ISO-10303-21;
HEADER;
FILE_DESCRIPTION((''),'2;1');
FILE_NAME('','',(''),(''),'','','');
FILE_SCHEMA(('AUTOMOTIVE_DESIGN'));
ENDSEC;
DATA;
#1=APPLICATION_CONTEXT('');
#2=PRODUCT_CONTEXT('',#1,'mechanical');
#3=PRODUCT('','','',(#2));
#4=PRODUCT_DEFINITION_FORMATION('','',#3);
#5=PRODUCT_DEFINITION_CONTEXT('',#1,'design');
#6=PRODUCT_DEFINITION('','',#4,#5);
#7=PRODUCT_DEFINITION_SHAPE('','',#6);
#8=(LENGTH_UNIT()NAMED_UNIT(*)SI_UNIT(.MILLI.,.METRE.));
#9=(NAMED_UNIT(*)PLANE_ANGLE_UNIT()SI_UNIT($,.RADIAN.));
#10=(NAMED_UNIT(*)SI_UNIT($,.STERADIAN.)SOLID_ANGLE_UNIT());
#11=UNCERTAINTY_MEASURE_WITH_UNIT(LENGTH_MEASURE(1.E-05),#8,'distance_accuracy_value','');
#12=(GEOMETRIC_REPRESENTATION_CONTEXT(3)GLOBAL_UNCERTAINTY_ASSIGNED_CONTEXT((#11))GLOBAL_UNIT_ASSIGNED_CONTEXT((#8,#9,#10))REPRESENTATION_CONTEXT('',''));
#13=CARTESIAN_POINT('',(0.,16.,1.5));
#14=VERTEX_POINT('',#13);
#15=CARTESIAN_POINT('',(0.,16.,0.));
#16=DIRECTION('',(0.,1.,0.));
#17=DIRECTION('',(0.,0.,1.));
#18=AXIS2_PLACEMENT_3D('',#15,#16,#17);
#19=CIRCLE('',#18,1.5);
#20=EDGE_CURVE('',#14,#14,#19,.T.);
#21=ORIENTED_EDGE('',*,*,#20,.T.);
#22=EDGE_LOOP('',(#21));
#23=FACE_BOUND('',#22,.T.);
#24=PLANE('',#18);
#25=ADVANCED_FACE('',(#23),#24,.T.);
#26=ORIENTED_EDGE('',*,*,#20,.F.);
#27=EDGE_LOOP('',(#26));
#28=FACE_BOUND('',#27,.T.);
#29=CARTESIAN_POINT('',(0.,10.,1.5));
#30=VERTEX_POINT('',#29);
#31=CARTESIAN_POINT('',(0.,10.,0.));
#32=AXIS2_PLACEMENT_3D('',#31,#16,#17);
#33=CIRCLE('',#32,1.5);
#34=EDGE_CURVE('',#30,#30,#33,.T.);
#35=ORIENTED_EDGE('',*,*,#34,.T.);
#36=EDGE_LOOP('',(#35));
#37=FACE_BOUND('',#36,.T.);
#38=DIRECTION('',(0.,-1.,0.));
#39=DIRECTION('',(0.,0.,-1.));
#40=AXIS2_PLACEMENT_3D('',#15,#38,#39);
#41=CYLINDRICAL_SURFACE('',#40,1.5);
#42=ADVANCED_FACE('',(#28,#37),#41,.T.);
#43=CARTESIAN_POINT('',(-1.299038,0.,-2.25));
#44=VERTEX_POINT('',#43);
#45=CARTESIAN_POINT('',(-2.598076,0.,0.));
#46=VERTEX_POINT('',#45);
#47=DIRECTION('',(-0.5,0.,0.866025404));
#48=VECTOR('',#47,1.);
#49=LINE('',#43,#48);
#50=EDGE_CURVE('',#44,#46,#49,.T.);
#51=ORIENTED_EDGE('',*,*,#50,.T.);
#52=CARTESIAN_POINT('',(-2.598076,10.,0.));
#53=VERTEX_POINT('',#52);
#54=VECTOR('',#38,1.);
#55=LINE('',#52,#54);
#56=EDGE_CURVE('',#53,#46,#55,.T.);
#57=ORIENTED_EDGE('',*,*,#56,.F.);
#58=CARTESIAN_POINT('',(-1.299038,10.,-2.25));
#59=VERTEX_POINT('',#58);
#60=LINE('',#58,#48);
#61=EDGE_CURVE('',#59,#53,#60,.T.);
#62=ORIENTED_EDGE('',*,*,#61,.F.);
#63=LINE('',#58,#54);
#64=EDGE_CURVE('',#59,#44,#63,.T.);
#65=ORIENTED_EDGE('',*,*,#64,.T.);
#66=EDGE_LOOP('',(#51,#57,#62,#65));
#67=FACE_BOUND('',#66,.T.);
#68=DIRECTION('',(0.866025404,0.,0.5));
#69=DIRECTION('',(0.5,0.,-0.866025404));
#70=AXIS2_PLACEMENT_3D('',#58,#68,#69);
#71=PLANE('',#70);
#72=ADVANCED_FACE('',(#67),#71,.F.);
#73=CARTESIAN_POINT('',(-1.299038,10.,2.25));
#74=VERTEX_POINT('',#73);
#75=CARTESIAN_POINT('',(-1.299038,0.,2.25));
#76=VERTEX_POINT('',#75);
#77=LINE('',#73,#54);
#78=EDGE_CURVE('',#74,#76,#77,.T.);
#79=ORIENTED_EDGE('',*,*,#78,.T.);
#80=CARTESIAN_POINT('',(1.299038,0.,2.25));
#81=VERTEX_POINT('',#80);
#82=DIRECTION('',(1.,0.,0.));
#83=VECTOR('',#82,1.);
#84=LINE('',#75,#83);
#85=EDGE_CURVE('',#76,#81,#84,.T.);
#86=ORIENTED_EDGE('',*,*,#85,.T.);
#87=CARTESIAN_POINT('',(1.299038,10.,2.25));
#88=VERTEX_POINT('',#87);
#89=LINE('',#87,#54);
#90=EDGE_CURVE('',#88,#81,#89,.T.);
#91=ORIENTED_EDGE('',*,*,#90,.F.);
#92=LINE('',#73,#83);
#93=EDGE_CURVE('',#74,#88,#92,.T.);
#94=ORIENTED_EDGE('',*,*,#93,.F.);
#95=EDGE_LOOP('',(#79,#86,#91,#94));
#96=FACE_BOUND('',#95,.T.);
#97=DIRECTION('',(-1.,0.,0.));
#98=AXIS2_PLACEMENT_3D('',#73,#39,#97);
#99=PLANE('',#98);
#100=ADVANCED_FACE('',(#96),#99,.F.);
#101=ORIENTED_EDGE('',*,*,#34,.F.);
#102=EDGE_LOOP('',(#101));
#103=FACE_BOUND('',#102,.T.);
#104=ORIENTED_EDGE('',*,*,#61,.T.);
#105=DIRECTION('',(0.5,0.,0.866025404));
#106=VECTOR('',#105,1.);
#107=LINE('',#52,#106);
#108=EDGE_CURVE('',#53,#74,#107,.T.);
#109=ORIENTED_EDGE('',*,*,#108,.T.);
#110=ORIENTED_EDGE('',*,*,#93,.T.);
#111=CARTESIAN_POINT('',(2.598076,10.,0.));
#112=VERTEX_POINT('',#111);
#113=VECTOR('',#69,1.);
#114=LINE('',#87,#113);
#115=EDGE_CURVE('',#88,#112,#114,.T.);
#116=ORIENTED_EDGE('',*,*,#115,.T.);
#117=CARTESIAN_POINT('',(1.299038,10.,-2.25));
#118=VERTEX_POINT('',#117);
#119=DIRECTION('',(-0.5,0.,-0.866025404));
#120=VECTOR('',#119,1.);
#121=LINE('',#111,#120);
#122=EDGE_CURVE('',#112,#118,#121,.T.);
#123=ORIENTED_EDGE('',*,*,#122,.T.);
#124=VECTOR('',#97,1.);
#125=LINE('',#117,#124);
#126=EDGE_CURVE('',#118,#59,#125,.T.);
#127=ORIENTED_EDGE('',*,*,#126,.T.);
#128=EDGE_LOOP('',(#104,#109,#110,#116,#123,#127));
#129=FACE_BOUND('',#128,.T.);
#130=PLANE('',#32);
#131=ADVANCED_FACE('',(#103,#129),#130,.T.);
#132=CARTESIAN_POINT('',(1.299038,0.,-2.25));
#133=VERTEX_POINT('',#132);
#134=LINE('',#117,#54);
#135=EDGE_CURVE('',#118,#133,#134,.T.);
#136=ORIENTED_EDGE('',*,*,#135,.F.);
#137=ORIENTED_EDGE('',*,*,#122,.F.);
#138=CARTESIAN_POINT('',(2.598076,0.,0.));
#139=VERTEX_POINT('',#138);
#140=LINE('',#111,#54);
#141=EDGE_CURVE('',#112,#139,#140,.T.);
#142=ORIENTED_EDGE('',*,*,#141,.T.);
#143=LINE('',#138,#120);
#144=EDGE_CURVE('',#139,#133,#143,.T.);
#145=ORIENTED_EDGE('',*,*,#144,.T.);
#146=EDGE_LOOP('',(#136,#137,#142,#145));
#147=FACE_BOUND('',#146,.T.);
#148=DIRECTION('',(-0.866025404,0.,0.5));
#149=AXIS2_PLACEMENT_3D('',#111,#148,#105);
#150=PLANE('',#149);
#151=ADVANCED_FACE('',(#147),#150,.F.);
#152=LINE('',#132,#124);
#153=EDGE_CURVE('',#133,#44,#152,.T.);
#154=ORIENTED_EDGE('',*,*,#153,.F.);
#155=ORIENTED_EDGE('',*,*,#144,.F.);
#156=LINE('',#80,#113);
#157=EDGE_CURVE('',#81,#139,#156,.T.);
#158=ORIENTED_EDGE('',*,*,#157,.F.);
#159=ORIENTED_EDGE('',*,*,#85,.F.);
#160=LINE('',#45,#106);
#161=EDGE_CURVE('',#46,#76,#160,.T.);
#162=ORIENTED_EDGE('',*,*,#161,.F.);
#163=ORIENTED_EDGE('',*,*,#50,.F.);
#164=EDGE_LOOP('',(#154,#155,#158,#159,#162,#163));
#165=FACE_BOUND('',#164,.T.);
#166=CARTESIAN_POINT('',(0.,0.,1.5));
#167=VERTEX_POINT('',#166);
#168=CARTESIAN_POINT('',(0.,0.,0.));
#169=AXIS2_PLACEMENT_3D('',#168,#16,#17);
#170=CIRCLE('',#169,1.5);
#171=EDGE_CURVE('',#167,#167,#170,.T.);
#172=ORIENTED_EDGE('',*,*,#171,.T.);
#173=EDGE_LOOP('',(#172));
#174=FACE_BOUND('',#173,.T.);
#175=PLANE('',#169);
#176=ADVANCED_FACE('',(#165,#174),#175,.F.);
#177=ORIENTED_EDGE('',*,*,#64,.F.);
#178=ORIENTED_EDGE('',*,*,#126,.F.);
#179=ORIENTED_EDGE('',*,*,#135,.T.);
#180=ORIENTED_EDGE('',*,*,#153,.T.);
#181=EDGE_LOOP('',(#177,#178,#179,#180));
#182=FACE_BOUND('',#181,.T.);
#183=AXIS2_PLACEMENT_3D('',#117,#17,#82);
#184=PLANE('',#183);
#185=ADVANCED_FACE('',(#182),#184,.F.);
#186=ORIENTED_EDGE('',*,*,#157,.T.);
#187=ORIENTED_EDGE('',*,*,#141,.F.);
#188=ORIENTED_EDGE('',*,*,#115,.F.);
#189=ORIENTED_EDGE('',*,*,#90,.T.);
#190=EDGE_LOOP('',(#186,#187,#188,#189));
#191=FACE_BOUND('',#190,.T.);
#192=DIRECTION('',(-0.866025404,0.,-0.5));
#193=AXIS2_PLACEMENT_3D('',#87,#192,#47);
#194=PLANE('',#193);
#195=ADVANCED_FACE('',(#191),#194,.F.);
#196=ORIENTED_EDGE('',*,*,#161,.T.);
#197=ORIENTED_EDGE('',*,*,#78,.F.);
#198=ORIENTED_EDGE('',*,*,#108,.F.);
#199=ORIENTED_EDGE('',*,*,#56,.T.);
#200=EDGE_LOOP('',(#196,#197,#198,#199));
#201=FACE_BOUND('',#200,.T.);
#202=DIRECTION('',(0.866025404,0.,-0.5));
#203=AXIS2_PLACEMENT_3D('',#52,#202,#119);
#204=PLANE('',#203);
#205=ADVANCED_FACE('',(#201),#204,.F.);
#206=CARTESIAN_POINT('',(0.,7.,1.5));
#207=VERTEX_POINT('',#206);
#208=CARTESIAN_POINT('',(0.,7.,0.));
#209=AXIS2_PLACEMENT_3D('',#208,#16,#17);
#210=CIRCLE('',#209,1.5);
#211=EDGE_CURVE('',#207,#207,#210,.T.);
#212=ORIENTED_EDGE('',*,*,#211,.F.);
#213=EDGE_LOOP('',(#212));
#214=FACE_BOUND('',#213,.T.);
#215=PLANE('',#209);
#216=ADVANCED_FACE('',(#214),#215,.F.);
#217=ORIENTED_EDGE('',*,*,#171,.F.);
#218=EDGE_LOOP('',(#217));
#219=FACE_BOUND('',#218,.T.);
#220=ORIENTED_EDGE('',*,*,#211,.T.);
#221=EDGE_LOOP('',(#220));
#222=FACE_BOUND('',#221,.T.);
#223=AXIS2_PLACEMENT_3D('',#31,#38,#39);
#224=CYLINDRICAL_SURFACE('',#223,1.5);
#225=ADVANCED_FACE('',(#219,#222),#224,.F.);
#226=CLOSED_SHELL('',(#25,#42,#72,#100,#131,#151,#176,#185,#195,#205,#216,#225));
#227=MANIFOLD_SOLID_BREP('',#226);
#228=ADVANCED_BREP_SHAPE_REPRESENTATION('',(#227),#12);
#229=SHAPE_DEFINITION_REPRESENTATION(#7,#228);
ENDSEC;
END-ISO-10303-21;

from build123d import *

# Parameters (mm, degrees)
SKETCH1_R           = 1.5
BOSS_EXTRUDE1_DEPTH = 10
BOSS_EXTRUDE2_DEPTH = 3
SKETCH3_R           = 1.5
BOSS_EXTRUDE3_DEPTH = 6


with BuildPart() as part:
    # Sketch1 → Boss-Extrude1 (new body)
    with BuildSketch(Plane(origin=(0, 0, 0), x_dir=(1, 0, 0), z_dir=(0, 1, 0))):
        Polygon((2.598076211, 0), (1.299038106, 2.25), (-1.299038106, 2.25), (-2.598076211, 0), (-1.299038106, -2.25), (1.299038106, -2.25), align=None)
        with Locations(Location((0, 0, 0), (0, 0, 270))):
            Circle(SKETCH1_R, mode=Mode.SUBTRACT)
    extrude(amount=BOSS_EXTRUDE1_DEPTH)

    # Sketch2 → Boss-Extrude2 (add)
    with BuildSketch(Plane(origin=(0, 10, 0), x_dir=(1, 0, 0), z_dir=(0, 1, 0))):
        Polygon((2.598076211, 0), (1.299038106, 2.25), (-1.299038106, 2.25), (-2.598076211, 0), (-1.299038106, -2.25), (1.299038106, -2.25), align=None)
    extrude(amount=-BOSS_EXTRUDE2_DEPTH)

    # Sketch3 → Boss-Extrude3 (add)
    with BuildSketch(Plane(origin=(0, 10, 0), x_dir=(1, 0, 0), z_dir=(0, 1, 0))):
        with Locations(Location((0, 0, 0), (0, 0, 270))):
            Circle(SKETCH3_R)
    extrude(amount=BOSS_EXTRUDE3_DEPTH)


solid = part.part
